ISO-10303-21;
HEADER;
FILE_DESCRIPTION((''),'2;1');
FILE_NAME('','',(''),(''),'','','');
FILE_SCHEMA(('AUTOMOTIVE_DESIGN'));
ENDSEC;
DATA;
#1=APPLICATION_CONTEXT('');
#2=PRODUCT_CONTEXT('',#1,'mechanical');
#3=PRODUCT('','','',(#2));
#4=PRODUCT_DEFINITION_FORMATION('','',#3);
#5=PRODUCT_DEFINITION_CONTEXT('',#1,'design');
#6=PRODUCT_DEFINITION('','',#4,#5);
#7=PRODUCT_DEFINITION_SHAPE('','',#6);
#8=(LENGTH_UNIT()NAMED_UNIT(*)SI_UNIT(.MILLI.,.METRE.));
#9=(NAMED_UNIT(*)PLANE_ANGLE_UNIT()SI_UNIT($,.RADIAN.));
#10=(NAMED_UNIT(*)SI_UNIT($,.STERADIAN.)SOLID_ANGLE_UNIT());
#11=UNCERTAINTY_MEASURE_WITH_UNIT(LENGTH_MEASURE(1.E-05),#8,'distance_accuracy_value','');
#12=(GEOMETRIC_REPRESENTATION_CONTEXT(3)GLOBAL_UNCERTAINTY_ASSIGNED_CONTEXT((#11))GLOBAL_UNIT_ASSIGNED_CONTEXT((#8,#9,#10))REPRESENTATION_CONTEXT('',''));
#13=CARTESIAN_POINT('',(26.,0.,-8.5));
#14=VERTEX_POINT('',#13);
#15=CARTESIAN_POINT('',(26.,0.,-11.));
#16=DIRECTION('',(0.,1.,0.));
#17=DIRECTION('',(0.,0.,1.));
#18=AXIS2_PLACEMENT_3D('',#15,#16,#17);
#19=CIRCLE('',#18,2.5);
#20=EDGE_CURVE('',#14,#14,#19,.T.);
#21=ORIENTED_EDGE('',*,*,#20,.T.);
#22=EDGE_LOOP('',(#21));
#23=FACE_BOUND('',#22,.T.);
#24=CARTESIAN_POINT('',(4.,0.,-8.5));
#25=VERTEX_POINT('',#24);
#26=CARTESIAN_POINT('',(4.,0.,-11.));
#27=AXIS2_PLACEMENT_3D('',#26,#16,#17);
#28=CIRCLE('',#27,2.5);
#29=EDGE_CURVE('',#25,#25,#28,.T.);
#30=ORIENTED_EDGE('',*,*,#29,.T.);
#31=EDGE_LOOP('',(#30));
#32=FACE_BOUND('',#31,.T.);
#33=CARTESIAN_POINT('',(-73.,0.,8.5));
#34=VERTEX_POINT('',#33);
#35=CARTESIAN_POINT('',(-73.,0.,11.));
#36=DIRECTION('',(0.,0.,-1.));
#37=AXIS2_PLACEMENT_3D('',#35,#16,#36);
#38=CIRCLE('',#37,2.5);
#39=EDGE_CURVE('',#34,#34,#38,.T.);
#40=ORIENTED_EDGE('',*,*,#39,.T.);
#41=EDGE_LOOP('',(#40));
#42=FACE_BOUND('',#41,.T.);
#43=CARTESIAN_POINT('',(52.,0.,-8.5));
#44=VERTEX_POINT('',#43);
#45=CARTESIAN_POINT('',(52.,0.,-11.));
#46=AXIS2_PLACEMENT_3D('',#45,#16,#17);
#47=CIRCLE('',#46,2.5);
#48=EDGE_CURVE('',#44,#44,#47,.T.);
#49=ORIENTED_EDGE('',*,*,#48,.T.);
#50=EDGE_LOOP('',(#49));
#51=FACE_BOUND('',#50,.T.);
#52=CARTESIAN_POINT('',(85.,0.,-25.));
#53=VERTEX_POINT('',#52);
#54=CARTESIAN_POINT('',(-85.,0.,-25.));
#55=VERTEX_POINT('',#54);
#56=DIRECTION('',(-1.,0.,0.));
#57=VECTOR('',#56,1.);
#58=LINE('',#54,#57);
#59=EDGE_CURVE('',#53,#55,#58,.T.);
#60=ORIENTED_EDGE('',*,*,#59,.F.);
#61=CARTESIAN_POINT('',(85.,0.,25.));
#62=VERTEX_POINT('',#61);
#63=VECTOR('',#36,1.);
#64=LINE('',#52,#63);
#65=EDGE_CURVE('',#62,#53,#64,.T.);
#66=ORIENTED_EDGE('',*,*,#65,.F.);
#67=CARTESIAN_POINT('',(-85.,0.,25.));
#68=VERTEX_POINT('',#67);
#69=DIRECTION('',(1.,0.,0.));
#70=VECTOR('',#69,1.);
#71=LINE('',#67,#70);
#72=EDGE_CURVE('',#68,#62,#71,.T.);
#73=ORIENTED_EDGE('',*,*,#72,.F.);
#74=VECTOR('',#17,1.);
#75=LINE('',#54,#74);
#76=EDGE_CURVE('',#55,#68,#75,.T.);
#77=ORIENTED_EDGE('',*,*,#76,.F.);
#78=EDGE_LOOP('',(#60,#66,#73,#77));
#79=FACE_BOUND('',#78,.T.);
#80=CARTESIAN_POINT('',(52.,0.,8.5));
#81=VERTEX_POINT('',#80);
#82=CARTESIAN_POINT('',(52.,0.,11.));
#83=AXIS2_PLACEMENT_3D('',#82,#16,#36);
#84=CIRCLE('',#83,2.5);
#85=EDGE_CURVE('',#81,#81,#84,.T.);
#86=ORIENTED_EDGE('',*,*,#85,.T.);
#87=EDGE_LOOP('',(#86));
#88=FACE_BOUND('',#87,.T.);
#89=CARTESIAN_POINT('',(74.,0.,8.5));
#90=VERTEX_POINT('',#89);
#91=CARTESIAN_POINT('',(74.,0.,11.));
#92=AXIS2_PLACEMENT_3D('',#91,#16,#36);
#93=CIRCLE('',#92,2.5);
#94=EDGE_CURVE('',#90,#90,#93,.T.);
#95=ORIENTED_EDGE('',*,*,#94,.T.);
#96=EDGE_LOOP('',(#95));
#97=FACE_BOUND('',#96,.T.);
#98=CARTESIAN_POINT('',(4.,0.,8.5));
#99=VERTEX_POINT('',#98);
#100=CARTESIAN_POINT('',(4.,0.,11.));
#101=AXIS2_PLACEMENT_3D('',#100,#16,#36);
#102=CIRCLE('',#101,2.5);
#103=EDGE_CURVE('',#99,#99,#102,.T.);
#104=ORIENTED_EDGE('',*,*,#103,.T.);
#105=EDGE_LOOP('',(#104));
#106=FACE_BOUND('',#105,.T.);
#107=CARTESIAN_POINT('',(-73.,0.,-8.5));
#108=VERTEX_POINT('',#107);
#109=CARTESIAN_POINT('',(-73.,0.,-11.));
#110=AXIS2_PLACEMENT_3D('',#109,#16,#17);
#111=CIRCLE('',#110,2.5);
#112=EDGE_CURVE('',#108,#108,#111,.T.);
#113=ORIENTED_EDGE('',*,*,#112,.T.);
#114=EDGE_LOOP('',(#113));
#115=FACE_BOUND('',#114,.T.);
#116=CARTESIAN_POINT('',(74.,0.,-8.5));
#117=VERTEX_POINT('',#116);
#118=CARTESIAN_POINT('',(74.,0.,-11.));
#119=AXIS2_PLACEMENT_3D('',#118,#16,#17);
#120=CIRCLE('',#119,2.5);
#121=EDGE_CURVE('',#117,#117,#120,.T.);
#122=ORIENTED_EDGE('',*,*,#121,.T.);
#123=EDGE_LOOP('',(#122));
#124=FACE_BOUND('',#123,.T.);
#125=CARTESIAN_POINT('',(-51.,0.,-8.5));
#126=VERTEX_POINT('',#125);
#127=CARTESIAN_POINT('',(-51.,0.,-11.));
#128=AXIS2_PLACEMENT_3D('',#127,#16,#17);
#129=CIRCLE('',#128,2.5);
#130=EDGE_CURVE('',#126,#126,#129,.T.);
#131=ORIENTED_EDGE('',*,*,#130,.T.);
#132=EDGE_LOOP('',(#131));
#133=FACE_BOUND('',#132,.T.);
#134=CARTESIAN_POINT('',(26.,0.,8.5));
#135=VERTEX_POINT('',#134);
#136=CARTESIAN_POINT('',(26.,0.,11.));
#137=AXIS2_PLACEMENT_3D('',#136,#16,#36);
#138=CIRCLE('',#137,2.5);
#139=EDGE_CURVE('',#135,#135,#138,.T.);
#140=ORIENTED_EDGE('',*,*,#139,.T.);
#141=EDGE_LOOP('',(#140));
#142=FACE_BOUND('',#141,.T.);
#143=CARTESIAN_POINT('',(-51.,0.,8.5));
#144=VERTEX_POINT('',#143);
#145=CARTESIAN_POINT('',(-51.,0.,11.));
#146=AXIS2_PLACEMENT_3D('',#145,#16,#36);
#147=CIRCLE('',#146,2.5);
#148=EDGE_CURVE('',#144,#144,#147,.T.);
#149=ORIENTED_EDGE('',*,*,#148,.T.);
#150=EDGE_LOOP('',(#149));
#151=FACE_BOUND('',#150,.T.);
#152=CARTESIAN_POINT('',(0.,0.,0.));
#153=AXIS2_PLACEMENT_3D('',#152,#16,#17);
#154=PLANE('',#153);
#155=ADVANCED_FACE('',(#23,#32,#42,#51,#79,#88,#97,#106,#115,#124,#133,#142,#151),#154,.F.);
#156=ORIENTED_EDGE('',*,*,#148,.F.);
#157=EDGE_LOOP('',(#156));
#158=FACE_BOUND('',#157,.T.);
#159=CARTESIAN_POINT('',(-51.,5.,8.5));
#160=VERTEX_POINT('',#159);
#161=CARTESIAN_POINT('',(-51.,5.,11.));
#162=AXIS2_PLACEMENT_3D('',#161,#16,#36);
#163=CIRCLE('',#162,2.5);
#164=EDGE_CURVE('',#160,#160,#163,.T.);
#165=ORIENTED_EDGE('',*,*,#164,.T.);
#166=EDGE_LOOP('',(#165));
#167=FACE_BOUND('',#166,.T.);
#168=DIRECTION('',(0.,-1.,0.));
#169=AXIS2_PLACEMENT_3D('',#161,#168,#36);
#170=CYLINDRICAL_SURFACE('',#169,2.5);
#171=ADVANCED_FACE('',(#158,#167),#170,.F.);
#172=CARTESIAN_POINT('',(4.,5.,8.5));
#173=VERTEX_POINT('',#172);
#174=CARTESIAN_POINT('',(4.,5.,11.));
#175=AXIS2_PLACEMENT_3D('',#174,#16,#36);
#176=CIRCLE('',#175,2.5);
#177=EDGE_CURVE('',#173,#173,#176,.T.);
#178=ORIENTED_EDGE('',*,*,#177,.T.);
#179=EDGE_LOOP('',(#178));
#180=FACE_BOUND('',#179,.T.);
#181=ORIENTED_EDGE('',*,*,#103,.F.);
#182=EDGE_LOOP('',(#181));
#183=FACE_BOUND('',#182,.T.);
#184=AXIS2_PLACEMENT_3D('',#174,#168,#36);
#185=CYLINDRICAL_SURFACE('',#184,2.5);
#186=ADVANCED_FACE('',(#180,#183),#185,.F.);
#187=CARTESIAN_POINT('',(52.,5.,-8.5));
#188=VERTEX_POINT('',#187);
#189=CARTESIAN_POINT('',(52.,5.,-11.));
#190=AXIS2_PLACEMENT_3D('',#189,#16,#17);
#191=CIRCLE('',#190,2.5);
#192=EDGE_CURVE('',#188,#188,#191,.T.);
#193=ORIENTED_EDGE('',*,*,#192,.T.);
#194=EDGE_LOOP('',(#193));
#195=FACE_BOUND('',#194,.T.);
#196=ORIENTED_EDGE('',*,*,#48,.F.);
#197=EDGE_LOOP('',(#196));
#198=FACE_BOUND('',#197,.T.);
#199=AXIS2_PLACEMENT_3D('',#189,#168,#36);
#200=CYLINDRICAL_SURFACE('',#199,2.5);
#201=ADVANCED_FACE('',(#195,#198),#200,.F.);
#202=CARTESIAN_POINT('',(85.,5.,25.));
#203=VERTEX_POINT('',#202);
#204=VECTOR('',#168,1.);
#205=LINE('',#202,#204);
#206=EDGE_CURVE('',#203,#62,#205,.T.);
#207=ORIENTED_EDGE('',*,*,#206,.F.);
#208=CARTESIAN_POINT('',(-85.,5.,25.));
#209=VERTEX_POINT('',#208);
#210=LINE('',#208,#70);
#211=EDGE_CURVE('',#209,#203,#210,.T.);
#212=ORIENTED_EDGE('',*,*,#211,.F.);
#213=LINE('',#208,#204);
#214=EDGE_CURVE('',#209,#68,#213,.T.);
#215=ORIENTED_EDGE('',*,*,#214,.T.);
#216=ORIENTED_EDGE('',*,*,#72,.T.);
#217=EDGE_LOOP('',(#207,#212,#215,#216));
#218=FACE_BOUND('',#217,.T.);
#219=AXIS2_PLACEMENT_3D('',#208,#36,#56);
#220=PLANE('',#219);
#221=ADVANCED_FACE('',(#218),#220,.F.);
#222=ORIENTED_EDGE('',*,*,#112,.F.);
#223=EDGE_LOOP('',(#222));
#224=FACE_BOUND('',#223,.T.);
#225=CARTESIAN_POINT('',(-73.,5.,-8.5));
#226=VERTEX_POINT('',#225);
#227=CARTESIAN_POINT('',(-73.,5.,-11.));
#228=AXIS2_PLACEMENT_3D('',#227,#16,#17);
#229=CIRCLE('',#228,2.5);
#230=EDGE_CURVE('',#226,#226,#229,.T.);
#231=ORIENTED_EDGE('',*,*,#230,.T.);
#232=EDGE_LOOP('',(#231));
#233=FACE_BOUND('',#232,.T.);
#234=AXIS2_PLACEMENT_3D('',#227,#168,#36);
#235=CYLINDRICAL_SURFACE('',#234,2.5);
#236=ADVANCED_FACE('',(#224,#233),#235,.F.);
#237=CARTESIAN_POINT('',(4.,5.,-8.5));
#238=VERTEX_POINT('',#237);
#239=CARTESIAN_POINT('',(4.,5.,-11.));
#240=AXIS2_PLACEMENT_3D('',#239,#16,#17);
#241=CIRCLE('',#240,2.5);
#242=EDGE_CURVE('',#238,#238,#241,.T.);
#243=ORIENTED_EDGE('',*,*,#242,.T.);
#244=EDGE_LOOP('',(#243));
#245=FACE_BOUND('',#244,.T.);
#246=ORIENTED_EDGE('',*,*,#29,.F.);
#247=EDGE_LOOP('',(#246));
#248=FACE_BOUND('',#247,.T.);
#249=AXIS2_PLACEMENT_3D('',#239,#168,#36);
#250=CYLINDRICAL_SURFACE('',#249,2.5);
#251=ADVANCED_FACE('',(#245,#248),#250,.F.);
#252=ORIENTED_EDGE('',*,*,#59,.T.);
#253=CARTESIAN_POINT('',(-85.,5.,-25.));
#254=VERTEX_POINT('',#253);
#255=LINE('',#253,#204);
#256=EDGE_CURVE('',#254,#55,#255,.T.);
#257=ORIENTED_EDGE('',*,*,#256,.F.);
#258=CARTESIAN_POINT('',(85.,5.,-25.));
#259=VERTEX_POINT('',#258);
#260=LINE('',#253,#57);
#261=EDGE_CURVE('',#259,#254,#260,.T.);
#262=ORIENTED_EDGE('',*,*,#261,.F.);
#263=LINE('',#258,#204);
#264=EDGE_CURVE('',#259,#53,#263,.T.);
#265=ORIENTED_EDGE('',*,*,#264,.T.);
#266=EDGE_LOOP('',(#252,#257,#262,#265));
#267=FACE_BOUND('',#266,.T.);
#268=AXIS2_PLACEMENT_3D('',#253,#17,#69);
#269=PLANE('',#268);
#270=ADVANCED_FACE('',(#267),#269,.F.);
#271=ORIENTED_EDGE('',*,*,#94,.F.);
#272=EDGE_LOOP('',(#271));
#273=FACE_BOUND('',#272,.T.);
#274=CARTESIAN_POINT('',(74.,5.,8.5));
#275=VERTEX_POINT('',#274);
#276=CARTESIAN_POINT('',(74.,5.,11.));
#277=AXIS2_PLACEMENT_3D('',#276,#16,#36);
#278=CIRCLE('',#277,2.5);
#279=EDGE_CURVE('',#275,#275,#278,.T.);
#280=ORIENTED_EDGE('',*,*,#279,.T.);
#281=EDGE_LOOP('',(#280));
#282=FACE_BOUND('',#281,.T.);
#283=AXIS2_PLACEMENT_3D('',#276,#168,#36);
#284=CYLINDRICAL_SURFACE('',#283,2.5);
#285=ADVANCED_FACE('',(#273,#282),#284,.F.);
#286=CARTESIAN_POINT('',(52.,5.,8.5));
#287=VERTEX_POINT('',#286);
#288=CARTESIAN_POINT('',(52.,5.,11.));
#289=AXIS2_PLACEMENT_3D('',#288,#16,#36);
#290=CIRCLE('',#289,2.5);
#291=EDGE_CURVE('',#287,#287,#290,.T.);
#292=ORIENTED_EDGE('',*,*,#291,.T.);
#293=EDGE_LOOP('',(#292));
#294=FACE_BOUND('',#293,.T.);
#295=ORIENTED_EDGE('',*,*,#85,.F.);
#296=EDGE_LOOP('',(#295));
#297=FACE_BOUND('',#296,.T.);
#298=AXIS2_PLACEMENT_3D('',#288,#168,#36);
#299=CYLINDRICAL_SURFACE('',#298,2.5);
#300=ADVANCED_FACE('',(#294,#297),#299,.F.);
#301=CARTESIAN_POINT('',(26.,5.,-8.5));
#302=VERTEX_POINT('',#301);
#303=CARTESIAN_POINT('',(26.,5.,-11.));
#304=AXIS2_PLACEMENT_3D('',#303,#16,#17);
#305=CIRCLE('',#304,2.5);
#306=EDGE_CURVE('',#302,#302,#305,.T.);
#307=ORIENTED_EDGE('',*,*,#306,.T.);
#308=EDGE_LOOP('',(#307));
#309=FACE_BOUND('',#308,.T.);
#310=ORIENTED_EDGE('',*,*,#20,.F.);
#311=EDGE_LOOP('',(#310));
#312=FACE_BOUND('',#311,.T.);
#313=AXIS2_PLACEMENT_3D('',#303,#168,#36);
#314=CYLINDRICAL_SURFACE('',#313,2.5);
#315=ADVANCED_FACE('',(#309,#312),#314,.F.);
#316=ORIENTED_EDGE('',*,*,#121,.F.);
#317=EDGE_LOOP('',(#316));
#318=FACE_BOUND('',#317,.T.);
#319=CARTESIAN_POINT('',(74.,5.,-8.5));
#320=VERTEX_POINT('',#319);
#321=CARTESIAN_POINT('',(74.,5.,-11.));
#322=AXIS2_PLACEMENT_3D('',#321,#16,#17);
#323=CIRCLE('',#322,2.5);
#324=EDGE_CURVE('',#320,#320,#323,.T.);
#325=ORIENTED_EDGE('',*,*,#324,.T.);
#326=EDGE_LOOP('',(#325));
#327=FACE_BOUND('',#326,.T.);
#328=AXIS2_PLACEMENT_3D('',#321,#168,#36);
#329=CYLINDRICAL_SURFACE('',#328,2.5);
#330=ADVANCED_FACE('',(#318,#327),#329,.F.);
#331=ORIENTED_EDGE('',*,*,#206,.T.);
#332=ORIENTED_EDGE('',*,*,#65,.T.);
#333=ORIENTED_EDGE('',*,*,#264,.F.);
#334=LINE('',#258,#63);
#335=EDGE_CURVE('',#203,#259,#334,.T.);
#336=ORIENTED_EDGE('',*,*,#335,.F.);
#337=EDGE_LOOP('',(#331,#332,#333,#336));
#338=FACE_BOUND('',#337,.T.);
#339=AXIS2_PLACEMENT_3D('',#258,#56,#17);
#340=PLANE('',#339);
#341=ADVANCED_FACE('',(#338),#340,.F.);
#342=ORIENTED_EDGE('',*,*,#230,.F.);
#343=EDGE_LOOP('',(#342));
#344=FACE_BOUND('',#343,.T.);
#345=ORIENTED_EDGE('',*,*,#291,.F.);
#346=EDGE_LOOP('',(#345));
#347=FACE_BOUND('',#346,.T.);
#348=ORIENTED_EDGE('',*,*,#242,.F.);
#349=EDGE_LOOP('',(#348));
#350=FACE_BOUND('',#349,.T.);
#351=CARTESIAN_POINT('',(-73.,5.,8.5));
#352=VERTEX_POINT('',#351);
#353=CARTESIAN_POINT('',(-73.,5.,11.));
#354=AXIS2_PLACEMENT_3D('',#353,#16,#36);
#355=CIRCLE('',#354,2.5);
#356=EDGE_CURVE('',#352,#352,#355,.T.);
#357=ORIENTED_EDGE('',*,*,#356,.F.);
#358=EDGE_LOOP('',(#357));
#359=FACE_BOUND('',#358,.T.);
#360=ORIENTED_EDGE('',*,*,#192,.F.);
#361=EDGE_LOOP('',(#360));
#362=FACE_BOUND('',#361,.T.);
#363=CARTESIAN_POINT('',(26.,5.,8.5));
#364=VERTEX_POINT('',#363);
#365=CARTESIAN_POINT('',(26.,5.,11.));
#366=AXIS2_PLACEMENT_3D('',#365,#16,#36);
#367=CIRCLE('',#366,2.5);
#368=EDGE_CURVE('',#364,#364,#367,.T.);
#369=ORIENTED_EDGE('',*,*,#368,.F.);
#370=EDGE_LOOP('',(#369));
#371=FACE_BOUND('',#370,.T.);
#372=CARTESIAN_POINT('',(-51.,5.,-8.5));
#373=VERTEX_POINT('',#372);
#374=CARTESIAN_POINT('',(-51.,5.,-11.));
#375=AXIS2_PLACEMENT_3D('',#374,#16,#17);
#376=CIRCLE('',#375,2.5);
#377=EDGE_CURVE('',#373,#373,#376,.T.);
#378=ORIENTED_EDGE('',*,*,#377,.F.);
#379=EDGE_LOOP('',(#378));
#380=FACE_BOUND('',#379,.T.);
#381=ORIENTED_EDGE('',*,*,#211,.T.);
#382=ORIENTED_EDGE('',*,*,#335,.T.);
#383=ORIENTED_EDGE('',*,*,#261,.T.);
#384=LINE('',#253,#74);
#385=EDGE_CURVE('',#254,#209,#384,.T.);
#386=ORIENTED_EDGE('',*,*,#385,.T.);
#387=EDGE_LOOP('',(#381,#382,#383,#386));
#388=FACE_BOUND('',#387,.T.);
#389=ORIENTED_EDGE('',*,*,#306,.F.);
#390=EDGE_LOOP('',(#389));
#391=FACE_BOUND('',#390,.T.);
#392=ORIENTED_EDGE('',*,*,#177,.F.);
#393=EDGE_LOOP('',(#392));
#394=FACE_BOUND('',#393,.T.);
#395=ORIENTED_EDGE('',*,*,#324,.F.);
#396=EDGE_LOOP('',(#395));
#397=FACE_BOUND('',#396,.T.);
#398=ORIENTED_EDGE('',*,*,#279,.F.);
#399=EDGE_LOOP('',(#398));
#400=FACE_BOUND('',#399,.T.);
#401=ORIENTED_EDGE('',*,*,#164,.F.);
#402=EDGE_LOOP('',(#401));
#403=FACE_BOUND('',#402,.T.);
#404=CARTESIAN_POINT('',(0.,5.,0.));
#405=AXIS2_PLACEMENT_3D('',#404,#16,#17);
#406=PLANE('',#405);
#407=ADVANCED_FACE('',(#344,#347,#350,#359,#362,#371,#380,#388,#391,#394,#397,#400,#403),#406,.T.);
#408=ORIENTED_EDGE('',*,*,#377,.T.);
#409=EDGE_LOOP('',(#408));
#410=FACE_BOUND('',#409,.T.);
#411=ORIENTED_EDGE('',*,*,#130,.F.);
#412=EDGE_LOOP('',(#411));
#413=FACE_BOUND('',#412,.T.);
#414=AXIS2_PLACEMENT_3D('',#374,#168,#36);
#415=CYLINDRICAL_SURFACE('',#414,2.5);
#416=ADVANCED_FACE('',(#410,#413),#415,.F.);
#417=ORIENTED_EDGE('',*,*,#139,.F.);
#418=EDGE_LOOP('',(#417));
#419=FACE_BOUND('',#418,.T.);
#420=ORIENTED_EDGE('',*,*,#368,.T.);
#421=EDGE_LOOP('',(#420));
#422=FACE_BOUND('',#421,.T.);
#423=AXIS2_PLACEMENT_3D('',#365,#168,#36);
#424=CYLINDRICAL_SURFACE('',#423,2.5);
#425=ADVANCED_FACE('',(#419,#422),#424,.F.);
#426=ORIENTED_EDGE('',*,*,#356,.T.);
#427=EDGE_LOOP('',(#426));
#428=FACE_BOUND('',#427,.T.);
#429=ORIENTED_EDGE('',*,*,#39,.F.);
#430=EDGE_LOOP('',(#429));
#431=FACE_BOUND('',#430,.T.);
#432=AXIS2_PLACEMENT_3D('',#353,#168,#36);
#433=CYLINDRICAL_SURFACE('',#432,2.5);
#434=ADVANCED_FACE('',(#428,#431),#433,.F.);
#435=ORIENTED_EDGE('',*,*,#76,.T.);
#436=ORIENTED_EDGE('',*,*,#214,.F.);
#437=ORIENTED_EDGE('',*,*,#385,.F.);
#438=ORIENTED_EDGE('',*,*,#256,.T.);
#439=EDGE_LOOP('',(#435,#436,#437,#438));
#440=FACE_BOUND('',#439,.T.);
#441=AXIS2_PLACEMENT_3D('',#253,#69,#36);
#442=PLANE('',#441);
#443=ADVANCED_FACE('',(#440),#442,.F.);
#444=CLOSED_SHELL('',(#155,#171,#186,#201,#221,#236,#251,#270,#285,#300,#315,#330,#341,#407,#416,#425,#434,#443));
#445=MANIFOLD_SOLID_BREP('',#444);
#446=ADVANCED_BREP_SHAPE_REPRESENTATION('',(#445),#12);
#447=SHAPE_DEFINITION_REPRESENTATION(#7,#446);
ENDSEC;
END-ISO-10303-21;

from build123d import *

# Parameters (mm, degrees)
SKETCH1_W           = 170
SKETCH1_H           = 50
SKETCH1_R           = 2.5
BOSS_EXTRUDE1_DEPTH = 5


with BuildPart() as part:
    # Sketch1 → Boss-Extrude1 (new body)
    with BuildSketch(Plane(origin=(0, 0, 0), x_dir=(1, 0, 0), z_dir=(0, 1, 0))):
        Rectangle(SKETCH1_W, SKETCH1_H)
        with Locations((74, 11)):
            Circle(SKETCH1_R, mode=Mode.SUBTRACT)
        with Locations((52, 11)):
            Circle(SKETCH1_R, mode=Mode.SUBTRACT)
        with Locations((52, -11)):
            Circle(SKETCH1_R, mode=Mode.SUBTRACT)
        with Locations((74, -11)):
            Circle(SKETCH1_R, mode=Mode.SUBTRACT)
        with Locations((26, 11)):
            Circle(SKETCH1_R, mode=Mode.SUBTRACT)
        with Locations((4, 11)):
            Circle(SKETCH1_R, mode=Mode.SUBTRACT)
        with Locations((4, -11)):
            Circle(SKETCH1_R, mode=Mode.SUBTRACT)
        with Locations((26, -11)):
            Circle(SKETCH1_R, mode=Mode.SUBTRACT)
        with Locations((-51, 11)):
            Circle(SKETCH1_R, mode=Mode.SUBTRACT)
        with Locations((-73, 11)):
            Circle(SKETCH1_R, mode=Mode.SUBTRACT)
        with Locations((-51, -11)):
            Circle(SKETCH1_R, mode=Mode.SUBTRACT)
        with Locations((-73, -11)):
            Circle(SKETCH1_R, mode=Mode.SUBTRACT)
    extrude(amount=BOSS_EXTRUDE1_DEPTH)


solid = part.part
